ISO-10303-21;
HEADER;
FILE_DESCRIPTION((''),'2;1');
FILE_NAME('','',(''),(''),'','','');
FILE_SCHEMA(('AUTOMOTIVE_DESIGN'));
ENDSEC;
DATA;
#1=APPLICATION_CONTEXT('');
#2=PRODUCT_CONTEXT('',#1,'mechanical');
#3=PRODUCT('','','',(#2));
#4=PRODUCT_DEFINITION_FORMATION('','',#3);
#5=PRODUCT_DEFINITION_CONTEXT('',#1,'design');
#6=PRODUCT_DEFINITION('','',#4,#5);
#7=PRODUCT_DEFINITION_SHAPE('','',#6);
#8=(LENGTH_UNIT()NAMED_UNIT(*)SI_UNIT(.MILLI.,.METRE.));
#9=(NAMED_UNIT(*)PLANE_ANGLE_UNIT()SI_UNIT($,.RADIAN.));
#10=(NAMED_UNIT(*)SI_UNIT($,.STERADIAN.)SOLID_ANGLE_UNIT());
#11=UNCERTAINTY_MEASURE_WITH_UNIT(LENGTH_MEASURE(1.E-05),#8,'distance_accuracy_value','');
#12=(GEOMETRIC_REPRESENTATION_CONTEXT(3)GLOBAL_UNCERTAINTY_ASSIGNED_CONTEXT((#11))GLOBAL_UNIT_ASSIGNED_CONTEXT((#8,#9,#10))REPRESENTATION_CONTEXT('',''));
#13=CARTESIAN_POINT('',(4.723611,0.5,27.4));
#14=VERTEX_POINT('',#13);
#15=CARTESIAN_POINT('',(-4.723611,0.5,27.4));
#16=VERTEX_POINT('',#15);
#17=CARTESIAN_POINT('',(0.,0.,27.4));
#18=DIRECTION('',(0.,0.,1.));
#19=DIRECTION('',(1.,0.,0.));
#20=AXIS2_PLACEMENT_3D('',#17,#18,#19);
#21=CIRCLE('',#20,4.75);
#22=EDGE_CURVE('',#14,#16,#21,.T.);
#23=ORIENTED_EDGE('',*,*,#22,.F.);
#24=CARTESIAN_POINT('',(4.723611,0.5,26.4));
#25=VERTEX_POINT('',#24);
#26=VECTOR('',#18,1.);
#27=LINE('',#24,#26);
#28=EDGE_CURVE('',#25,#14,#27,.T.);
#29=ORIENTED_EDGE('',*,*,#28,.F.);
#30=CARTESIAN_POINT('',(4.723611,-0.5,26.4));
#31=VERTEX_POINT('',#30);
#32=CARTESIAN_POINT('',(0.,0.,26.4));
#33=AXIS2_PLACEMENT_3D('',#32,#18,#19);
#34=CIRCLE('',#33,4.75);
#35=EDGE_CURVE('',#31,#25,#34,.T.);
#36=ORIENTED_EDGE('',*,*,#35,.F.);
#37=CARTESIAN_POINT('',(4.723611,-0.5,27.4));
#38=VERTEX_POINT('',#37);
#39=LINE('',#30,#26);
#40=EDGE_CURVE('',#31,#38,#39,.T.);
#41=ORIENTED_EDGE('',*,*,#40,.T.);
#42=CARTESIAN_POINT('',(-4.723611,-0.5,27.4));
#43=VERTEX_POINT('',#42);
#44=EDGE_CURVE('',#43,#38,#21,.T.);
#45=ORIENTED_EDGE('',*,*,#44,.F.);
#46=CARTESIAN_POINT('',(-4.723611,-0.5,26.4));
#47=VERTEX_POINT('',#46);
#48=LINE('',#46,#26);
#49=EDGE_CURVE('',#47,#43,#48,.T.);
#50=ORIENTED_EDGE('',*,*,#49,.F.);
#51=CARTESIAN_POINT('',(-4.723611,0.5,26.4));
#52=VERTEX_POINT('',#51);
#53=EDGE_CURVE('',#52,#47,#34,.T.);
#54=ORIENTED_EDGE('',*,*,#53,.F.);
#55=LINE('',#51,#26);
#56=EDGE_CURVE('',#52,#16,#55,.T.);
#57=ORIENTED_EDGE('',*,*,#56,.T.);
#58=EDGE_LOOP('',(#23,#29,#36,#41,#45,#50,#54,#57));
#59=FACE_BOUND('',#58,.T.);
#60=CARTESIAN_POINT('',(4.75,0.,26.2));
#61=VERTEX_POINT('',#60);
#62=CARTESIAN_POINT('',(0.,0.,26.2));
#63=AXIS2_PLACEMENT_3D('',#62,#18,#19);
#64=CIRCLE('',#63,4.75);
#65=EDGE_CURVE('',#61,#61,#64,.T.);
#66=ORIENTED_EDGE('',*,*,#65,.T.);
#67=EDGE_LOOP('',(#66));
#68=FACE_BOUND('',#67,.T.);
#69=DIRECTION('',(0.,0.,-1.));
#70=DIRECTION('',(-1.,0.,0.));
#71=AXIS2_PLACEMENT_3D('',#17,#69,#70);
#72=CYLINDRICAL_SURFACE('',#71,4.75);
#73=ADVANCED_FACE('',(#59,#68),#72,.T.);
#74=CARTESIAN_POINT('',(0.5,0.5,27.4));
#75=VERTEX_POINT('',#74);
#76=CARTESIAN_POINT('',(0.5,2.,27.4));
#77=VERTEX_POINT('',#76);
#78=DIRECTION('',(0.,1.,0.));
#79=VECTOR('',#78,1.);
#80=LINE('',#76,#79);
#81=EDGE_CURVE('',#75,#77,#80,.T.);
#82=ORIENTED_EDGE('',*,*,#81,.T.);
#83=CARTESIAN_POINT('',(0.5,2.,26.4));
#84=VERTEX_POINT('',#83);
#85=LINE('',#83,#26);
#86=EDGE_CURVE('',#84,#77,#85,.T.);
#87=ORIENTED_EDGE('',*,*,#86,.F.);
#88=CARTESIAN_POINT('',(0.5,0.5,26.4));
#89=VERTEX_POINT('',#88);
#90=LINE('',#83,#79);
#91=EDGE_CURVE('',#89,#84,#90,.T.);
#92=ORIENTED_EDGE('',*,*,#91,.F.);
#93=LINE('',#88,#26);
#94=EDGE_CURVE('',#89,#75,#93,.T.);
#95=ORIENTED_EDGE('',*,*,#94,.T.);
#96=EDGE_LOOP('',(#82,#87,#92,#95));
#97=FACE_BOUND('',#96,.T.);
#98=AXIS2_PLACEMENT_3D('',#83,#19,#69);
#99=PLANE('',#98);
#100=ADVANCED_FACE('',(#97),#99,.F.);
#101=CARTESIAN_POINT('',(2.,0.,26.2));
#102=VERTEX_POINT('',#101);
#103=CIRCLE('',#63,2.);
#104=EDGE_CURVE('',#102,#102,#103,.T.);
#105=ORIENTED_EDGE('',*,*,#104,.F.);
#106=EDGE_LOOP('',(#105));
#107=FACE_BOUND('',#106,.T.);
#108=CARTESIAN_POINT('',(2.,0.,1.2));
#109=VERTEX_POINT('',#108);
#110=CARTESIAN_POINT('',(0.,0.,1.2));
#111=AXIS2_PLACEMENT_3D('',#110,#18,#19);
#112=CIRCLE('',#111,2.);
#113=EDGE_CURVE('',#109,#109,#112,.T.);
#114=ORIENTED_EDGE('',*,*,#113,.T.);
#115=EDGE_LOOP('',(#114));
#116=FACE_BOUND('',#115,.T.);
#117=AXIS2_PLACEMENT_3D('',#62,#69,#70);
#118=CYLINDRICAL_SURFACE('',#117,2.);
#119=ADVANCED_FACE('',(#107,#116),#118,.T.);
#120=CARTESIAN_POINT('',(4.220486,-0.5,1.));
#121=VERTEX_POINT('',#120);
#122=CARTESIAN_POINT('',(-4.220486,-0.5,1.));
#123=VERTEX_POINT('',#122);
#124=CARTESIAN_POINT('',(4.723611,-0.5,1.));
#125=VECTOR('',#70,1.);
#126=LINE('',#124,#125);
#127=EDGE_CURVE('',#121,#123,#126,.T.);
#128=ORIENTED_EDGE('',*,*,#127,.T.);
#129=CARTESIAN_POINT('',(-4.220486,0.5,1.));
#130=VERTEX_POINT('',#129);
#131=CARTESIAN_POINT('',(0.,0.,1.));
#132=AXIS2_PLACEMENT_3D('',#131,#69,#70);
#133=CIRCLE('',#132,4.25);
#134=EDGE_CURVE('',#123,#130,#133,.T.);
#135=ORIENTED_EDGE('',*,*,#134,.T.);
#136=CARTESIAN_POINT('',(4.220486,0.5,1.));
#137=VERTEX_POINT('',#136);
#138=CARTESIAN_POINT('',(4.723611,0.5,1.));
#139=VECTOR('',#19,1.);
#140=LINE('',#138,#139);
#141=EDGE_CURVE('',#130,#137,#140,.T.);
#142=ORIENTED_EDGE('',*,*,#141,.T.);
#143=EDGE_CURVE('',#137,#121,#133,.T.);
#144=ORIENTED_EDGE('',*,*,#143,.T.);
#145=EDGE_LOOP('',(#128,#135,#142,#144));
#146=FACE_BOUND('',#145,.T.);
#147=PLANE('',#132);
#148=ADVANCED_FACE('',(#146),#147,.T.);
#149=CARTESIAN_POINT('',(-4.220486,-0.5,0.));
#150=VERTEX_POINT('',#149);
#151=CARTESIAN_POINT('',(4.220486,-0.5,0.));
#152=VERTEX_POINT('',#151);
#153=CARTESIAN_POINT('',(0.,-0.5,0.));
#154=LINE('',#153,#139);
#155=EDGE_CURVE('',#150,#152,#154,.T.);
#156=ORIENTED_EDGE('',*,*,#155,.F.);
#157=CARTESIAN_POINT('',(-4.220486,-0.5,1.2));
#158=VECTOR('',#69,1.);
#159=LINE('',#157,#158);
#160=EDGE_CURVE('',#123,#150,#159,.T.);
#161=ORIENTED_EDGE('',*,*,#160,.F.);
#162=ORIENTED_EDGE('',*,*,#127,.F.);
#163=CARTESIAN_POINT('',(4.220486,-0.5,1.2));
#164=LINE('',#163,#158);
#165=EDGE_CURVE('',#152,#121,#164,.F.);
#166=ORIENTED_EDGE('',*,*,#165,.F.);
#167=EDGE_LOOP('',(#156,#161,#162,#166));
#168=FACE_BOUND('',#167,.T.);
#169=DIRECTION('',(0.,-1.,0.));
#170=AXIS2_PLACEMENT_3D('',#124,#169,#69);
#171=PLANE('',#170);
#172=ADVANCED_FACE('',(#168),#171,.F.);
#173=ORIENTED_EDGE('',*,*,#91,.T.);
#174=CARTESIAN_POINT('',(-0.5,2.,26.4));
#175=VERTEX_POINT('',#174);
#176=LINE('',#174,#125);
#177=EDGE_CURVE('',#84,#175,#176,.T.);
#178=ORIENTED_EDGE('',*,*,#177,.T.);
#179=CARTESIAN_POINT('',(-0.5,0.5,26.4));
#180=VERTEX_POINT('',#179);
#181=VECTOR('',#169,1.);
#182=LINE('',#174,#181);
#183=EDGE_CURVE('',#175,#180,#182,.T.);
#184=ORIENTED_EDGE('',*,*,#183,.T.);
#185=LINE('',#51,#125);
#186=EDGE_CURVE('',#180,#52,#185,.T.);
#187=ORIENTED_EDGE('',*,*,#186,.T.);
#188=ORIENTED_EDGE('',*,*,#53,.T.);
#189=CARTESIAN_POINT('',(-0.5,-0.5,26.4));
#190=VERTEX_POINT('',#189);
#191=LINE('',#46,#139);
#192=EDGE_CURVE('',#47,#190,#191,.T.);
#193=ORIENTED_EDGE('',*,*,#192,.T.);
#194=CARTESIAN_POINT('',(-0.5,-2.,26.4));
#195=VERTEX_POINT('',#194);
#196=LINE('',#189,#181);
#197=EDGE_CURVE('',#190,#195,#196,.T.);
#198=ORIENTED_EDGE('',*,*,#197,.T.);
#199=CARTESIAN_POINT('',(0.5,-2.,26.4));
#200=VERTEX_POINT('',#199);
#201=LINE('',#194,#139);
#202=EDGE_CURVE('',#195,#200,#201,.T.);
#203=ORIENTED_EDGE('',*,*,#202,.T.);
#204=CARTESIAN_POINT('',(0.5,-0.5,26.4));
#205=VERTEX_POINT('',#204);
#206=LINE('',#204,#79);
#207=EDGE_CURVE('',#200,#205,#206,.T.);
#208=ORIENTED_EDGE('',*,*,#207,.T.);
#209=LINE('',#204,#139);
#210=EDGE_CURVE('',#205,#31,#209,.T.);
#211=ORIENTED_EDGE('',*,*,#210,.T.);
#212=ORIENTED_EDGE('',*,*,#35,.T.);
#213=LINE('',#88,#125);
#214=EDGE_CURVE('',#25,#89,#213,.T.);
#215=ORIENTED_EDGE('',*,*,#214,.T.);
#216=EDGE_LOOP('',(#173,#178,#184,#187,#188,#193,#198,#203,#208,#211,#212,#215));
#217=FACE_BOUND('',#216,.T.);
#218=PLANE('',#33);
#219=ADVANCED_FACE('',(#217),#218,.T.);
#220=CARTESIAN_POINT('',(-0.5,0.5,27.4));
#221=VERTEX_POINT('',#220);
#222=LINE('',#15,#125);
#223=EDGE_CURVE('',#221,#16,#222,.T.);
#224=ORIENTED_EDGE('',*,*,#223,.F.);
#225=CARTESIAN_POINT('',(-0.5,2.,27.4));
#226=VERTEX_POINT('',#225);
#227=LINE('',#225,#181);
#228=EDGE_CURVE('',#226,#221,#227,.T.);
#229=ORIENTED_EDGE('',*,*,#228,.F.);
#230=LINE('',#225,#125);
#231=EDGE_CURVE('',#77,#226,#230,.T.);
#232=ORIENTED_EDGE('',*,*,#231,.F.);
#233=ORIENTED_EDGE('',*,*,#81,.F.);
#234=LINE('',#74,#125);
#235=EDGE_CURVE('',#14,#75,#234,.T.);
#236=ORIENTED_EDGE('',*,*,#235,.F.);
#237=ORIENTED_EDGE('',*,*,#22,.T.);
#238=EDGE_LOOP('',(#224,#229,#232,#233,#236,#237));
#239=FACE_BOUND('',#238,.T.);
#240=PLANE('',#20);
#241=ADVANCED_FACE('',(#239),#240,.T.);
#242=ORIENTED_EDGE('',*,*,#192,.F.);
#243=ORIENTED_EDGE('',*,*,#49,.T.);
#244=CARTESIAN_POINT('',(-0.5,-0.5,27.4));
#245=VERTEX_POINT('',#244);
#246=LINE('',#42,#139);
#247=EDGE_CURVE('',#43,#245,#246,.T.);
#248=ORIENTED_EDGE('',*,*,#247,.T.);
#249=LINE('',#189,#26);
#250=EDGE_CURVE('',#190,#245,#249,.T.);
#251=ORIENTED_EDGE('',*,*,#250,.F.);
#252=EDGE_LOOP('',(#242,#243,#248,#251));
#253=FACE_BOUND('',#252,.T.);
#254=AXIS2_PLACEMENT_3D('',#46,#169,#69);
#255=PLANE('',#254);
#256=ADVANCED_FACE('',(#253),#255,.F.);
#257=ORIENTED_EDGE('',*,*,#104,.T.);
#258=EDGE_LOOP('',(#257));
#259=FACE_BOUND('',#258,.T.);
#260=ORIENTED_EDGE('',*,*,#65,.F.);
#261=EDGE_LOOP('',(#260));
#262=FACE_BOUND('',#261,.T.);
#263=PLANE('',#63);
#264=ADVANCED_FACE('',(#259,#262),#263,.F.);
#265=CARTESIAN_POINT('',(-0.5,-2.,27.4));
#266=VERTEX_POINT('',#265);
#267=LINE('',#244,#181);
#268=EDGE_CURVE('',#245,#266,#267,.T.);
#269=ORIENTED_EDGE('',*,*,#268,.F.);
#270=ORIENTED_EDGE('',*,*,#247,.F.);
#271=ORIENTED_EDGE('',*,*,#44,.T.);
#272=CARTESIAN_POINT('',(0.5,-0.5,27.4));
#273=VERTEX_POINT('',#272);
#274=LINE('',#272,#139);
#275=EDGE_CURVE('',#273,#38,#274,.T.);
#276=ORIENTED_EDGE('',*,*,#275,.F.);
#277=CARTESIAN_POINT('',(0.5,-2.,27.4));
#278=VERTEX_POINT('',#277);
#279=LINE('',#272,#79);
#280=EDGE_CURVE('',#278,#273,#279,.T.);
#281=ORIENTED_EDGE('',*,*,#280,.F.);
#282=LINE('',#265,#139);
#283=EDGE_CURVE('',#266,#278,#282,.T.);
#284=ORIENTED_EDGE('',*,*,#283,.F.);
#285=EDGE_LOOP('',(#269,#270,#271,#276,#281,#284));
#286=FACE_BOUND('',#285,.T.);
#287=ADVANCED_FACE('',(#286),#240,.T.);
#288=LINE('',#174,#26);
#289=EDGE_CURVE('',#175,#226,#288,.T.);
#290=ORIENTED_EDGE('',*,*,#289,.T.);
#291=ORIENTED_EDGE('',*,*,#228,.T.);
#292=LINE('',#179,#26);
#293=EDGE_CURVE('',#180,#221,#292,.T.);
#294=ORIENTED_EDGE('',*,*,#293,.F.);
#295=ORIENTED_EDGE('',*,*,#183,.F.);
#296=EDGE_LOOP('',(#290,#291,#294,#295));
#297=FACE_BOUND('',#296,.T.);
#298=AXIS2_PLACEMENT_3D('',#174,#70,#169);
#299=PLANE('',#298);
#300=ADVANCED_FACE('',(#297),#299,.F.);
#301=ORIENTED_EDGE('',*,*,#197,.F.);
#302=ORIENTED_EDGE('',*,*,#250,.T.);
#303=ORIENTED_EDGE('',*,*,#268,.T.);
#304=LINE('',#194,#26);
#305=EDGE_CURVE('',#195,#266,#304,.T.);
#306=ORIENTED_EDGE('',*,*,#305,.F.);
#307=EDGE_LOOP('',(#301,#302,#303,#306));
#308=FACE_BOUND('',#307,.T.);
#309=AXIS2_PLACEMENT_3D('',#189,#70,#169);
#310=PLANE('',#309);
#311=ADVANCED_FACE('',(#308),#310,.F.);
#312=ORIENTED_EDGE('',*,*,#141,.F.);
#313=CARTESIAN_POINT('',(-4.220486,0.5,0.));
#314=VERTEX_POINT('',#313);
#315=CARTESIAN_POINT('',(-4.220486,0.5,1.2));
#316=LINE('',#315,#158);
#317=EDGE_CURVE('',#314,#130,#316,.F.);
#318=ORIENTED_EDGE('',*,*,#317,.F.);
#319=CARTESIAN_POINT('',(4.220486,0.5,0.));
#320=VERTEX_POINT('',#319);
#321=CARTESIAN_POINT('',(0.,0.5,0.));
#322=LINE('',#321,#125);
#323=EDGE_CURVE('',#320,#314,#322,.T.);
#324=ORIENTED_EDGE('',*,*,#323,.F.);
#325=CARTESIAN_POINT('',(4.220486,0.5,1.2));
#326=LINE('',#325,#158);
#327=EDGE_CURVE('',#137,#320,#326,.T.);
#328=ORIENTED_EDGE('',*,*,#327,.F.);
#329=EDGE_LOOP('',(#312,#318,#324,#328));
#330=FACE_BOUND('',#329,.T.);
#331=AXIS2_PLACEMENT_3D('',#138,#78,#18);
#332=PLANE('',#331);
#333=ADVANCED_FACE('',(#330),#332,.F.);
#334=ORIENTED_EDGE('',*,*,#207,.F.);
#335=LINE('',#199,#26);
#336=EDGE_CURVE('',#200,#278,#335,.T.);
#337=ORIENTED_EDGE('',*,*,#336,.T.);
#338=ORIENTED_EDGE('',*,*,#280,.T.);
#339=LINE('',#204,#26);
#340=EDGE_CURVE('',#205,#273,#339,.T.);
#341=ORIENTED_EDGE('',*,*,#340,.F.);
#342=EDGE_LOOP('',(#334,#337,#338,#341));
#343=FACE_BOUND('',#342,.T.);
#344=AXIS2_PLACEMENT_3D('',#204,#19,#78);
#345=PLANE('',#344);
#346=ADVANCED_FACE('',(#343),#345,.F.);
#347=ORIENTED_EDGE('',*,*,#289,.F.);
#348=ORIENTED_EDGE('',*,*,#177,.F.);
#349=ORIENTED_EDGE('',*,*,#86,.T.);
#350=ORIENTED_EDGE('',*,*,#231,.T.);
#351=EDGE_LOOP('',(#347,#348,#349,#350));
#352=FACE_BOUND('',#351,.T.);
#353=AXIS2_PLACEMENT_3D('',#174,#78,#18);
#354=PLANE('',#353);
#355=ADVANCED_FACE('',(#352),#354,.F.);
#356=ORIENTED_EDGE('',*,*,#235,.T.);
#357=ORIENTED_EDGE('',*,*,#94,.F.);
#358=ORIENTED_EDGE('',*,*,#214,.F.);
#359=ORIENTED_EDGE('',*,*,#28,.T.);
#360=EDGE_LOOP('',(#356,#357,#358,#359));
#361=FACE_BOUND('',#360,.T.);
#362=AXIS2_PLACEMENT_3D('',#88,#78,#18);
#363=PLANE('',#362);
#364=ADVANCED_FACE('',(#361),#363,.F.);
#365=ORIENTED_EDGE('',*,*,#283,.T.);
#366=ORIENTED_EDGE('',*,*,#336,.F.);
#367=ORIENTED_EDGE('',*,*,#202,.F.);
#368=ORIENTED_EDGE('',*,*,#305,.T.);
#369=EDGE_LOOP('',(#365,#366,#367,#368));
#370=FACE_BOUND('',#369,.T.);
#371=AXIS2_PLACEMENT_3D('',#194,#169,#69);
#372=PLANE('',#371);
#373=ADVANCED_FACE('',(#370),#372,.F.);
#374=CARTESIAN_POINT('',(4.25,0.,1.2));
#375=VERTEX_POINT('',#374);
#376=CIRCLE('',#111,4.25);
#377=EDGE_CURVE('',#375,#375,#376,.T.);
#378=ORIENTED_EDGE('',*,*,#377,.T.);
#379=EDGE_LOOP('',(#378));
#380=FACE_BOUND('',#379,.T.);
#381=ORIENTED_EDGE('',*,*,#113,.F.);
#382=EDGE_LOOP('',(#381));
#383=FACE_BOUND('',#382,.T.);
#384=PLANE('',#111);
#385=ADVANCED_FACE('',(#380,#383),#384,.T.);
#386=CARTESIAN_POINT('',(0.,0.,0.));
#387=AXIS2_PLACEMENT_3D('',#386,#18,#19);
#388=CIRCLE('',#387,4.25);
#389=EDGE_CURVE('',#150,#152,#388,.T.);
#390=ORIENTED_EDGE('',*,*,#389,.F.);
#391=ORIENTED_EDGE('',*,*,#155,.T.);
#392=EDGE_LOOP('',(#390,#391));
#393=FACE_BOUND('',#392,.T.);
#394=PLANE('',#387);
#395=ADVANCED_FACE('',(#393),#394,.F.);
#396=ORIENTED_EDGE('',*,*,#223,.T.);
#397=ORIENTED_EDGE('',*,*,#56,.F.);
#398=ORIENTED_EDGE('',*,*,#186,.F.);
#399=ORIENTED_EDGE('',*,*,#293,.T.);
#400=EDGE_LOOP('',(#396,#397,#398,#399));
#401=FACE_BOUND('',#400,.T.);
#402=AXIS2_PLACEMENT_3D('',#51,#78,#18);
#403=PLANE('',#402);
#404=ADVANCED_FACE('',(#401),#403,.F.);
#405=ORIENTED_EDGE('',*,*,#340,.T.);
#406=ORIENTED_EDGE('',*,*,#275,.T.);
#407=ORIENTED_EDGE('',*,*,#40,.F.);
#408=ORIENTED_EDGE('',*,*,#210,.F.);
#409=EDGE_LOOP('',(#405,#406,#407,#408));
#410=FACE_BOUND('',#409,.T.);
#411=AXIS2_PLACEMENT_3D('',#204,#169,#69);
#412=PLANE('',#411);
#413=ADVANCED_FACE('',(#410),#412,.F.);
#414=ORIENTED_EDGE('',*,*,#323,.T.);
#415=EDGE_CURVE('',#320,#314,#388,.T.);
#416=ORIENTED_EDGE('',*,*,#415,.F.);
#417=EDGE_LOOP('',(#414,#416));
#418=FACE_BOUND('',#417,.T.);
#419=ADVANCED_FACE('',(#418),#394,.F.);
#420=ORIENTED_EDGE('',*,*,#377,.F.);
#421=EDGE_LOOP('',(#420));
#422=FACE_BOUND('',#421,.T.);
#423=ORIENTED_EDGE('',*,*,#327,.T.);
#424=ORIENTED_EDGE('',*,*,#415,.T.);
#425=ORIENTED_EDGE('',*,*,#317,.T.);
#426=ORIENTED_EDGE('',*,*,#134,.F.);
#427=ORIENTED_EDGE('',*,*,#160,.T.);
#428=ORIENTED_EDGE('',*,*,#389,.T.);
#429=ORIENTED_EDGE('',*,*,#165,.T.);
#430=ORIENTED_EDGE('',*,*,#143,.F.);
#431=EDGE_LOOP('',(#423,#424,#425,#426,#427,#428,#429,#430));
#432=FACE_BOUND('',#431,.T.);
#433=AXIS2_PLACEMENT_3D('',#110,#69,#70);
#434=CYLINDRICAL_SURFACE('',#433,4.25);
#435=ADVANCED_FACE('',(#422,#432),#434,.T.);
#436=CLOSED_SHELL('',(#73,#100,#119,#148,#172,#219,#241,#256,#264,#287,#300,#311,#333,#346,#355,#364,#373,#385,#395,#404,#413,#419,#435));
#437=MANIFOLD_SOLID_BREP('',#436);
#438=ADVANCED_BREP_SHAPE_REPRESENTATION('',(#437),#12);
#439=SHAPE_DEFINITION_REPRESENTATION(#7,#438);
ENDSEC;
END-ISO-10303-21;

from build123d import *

# Parameters (mm, degrees)
SKETCH_1_R          = 4.25
EXTRUDE_1_DEPTH     = 1.2
SKETCH_2_R          = 2
EXTRUDE_2_DEPTH     = 25
SKETCH_3_R          = 4.75
EXTRUDE_3_DEPTH     = 1.2
CUT_EXTRUDE_START   = -1
CUT_EXTRUDE_1_DEPTH = 1
CUT_EXTRUDE_2_DEPTH = 1


with BuildPart() as part:
    # 草图1 → 凸台-拉伸1 (new body)
    with BuildSketch(Plane.XY):
        Circle(SKETCH_1_R)
    extrude(amount=EXTRUDE_1_DEPTH)

    # 草图2 → 凸台-拉伸2 (add)
    with BuildSketch(Plane.XY.offset(1.2)):
        Circle(SKETCH_2_R)
    extrude(amount=EXTRUDE_2_DEPTH)

    # 草图3 → 凸台-拉伸3 (add)
    with BuildSketch(Plane.XY.offset(26.2)):
        Circle(SKETCH_3_R)
    extrude(amount=EXTRUDE_3_DEPTH)

    # 草图4 → 切除-拉伸1 (cut)
    with BuildSketch(Plane.XY.offset(27.4).offset(CUT_EXTRUDE_START)):
        with BuildLine():
            Line((-0.5, 2), (-0.5, 0.5))
            Line((-0.5, 0.5), (-4.723610907, 0.5))
            ThreePointArc((-4.723610907, 0.5), (-4.75, 0), (-4.723610907, -0.5))
            Line((-4.723610907, -0.5), (-0.5, -0.5))
            Line((-0.5, -0.5), (-0.5, -2))
            Line((-0.5, -2), (0.5, -2))
            Line((0.5, -2), (0.5, -0.5))
            Line((0.5, -0.5), (4.723610907, -0.5))
            ThreePointArc((4.723610907, -0.5), (4.75, 0), (4.723610907, 0.5))
            Line((4.723610907, 0.5), (0.5, 0.5))
            Line((0.5, 0.5), (0.5, 2))
            Line((0.5, 2), (-0.5, 2))
        make_face()
    extrude(amount=CUT_EXTRUDE_1_DEPTH, mode=Mode.SUBTRACT)

    # 草图5 → 切除-拉伸2 (cut)
    with BuildSketch(Plane(origin=(0, 0, 0), x_dir=(-1, 0, 0), z_dir=(0, 0, -1))):
        with BuildLine():
            Line((-4.723610907, -0.5), (4.723610907, -0.5))
            ThreePointArc((4.723610907, -0.5), (4.75, 0), (4.723610907, 0.5))
            Line((4.723610907, 0.5), (-4.723610907, 0.5))
            ThreePointArc((-4.723610907, 0.5), (-4.75, 0), (-4.723610907, -0.5))
        make_face()
    extrude(amount=-CUT_EXTRUDE_2_DEPTH, mode=Mode.SUBTRACT)


solid = part.part
